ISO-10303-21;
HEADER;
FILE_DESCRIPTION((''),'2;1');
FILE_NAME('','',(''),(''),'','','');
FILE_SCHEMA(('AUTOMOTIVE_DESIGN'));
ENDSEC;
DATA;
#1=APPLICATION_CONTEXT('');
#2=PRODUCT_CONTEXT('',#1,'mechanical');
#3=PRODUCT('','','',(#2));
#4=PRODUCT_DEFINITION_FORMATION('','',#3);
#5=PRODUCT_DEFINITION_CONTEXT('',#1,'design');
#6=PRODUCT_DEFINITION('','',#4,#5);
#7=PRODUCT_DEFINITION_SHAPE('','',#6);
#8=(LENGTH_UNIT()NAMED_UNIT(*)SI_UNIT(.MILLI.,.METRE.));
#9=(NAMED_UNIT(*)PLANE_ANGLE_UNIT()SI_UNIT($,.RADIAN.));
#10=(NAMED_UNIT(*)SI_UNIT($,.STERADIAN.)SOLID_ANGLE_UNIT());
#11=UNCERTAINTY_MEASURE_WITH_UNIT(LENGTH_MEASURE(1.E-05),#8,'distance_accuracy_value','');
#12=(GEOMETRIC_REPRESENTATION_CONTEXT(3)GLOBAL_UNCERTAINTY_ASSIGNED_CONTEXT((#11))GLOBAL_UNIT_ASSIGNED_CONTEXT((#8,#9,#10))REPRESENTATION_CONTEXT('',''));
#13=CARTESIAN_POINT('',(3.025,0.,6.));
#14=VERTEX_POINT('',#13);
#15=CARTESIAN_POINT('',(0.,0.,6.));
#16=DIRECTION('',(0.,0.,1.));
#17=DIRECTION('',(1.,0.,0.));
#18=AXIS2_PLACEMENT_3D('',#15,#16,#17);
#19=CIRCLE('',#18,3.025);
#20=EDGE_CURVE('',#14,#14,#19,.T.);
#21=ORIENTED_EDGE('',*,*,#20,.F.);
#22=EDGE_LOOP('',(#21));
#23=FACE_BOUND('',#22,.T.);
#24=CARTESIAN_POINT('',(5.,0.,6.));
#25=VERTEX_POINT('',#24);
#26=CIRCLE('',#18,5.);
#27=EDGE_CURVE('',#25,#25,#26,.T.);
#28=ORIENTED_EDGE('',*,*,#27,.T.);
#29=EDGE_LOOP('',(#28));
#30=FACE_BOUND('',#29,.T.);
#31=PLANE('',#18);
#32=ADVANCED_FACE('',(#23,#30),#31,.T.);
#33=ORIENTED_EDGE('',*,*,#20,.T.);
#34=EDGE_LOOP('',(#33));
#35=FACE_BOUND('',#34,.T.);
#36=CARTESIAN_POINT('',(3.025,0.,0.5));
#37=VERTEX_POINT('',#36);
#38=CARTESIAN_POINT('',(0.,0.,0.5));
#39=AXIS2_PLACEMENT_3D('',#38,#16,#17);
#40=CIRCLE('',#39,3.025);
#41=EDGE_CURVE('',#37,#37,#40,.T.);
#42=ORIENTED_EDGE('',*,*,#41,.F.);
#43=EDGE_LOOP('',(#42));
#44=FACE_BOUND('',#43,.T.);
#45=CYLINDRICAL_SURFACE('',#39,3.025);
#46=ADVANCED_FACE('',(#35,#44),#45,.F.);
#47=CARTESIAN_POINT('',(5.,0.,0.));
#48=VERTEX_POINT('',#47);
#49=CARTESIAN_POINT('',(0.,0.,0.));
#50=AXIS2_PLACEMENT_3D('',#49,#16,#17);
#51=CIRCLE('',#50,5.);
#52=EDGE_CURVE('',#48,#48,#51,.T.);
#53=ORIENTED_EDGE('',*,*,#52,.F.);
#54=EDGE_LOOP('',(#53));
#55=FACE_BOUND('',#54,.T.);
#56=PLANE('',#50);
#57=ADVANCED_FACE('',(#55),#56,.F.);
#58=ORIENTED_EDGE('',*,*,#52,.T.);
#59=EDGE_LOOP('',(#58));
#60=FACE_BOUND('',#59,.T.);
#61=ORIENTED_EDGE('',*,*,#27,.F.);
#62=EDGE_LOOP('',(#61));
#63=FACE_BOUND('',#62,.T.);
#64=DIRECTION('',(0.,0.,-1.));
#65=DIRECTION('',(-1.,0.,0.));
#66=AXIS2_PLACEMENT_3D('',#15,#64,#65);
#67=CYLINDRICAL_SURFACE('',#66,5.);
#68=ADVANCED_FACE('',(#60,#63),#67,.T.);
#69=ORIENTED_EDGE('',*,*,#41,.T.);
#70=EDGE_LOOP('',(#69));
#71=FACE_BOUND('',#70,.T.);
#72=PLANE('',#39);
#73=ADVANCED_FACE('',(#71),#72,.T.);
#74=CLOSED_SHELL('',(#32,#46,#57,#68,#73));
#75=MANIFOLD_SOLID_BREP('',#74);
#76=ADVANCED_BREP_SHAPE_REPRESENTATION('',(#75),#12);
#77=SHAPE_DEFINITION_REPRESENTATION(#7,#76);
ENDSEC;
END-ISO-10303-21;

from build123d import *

# Parameters (mm, degrees)
SKETCH1_R           = 5
BOSS_EXTRUDE1_DEPTH = 6
SKETCH2_R           = 3.025
CUT_EXTRUDE1_DEPTH  = 5.5


with BuildPart() as part:
    # Sketch1 → Boss-Extrude1 (new body)
    with BuildSketch(Plane.XY):
        Circle(SKETCH1_R)
    extrude(amount=BOSS_EXTRUDE1_DEPTH)

    # Sketch2 → Cut-Extrude1 (cut)
    with BuildSketch(Plane.XY.offset(6)):
        Circle(SKETCH2_R)
    extrude(amount=-CUT_EXTRUDE1_DEPTH, mode=Mode.SUBTRACT)


solid = part.part
